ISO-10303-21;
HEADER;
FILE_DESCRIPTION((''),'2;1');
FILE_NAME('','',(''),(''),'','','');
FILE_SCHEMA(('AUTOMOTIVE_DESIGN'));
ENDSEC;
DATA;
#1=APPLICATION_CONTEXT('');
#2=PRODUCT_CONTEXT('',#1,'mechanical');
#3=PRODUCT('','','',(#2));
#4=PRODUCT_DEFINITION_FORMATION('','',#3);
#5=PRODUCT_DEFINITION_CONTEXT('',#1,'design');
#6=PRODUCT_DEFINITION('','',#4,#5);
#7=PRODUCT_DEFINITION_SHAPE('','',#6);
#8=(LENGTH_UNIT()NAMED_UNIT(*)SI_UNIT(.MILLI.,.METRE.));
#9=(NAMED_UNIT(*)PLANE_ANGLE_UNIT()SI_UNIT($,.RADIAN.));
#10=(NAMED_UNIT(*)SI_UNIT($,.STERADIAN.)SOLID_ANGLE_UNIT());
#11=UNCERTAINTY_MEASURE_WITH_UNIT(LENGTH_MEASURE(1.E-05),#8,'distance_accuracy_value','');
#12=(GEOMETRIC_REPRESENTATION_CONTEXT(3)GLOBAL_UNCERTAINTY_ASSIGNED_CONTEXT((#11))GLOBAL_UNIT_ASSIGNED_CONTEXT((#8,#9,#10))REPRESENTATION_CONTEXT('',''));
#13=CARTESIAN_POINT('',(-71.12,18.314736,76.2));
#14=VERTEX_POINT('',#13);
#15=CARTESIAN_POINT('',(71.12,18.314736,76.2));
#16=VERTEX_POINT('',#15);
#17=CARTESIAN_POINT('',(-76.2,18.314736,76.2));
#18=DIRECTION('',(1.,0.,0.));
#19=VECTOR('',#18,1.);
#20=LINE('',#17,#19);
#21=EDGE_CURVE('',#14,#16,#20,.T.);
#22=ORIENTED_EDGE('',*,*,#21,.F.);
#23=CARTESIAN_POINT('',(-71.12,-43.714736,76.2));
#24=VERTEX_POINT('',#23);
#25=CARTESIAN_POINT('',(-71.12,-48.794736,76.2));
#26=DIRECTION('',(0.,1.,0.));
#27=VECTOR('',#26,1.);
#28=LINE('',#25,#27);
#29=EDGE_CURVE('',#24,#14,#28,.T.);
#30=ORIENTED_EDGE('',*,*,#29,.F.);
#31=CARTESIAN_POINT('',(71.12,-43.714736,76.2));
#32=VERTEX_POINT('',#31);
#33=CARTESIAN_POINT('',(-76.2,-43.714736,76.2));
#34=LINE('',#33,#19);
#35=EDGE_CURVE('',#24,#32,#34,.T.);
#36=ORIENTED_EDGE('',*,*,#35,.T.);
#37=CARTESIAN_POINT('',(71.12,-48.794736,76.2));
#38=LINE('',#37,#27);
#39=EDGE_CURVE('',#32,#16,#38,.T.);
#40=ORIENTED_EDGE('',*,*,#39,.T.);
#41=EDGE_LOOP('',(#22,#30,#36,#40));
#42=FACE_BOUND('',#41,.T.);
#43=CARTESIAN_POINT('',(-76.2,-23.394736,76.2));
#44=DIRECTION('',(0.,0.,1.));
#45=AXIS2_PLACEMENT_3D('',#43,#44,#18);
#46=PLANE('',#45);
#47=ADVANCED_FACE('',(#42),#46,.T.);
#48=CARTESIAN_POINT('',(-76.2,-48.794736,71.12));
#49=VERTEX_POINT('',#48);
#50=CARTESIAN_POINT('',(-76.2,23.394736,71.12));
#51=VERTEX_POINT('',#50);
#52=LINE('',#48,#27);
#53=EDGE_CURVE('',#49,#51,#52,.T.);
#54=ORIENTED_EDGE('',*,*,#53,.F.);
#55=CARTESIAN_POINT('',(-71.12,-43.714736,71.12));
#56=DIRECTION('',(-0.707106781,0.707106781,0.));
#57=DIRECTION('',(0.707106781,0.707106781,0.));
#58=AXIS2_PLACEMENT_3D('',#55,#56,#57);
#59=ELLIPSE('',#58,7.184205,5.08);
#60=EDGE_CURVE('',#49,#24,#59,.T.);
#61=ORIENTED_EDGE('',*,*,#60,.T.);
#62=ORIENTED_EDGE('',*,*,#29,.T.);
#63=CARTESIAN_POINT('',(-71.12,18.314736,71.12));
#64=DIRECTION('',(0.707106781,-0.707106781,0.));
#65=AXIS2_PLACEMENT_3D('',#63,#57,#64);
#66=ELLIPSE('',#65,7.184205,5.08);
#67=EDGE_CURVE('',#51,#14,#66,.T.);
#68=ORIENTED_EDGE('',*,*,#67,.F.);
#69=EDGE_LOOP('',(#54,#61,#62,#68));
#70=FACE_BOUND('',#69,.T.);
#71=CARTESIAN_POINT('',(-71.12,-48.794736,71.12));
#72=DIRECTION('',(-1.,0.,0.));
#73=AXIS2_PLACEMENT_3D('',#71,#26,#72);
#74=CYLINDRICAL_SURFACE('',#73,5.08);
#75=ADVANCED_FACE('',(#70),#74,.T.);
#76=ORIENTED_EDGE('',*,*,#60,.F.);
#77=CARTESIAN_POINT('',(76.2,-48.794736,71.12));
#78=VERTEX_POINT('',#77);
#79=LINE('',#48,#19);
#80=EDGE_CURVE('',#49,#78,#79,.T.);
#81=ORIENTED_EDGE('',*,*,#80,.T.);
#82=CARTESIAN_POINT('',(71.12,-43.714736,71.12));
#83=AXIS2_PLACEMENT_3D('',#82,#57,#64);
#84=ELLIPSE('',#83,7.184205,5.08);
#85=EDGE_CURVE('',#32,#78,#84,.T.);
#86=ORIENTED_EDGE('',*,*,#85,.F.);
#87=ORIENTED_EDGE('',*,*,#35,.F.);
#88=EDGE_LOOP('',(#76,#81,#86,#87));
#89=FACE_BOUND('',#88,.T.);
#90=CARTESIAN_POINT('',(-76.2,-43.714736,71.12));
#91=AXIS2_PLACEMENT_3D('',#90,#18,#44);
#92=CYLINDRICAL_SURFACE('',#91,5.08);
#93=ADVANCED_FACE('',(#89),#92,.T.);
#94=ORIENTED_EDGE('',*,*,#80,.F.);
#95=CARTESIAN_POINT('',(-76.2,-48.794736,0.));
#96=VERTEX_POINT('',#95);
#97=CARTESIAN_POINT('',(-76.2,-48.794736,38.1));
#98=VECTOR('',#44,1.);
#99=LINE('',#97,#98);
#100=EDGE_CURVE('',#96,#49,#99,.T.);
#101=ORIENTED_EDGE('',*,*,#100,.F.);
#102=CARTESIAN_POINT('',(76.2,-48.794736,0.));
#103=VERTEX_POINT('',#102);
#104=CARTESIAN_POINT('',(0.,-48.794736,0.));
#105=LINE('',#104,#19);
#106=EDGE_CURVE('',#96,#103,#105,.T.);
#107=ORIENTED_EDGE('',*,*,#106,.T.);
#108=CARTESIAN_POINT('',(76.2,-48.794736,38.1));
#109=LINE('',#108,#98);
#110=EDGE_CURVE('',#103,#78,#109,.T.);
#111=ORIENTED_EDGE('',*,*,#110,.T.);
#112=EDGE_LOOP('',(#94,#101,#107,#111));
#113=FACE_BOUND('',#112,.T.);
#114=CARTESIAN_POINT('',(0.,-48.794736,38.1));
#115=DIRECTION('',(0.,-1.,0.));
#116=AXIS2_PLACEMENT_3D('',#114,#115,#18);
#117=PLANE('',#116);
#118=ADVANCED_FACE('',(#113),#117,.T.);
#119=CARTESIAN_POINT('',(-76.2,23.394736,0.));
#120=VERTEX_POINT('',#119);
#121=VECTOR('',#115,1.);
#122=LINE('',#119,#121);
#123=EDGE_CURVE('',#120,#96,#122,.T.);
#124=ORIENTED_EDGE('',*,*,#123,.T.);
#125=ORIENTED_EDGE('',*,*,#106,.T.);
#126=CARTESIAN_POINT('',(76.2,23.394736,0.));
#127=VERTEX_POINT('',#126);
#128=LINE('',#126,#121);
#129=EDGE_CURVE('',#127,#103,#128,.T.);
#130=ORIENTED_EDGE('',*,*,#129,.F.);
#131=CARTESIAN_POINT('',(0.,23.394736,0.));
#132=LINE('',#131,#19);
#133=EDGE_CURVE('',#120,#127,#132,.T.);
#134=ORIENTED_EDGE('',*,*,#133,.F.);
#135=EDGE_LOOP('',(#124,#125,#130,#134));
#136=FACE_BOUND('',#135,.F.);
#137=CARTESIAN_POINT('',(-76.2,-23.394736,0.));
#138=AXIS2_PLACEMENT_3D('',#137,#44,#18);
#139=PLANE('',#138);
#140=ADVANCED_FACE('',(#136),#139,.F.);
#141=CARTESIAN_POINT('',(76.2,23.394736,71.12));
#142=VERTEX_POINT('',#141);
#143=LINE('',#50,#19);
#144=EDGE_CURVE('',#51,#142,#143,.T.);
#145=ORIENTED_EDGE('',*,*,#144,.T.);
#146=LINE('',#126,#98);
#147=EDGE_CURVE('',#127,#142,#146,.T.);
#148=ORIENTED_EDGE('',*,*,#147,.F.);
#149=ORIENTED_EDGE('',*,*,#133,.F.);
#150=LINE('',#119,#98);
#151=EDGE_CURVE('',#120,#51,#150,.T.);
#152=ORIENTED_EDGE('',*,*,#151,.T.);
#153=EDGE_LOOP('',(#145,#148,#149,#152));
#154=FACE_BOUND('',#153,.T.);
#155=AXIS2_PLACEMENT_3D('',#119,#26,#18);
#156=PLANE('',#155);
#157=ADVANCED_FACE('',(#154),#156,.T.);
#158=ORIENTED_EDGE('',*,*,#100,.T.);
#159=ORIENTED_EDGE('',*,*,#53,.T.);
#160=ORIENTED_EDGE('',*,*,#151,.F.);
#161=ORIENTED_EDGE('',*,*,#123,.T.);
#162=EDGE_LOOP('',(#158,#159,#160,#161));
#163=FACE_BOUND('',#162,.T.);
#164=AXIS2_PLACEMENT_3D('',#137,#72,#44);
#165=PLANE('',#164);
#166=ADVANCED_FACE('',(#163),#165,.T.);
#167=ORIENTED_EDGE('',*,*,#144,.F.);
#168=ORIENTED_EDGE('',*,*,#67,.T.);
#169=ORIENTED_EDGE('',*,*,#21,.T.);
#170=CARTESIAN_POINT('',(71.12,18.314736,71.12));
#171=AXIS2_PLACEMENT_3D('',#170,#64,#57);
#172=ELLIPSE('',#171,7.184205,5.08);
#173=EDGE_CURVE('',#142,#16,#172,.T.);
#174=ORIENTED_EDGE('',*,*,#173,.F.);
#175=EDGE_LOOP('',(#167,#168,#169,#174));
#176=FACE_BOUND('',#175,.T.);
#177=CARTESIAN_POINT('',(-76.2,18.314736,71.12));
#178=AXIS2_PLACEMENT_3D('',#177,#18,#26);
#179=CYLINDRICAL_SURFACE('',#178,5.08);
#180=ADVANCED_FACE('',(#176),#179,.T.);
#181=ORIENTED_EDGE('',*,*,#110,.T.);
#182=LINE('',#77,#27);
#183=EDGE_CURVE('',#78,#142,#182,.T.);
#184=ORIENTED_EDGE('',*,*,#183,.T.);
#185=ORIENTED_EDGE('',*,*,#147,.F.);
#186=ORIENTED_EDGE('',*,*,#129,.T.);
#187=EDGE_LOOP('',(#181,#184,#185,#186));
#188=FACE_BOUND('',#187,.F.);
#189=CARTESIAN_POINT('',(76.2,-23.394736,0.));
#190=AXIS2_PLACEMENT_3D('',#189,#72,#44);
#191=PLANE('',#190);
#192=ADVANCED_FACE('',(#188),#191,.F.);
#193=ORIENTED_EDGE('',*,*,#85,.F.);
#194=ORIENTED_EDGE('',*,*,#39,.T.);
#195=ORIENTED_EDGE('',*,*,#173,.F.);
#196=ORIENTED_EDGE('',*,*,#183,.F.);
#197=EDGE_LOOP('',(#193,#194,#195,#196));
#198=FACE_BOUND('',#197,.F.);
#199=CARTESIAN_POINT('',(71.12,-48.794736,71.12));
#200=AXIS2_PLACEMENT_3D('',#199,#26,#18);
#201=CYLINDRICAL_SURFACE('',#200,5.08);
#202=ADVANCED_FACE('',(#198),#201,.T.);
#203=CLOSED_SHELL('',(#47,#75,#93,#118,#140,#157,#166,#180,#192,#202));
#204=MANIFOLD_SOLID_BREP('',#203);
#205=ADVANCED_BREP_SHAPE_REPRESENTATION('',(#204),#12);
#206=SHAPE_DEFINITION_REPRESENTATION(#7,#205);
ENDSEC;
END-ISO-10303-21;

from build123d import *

# Parameters (mm, degrees)
F0_W     = 152.4
F0_H     = 46.7894710547
F1_DEPTH = 76.2
F2_W     = 152.4
F2_H     = 76.2
F3_DEPTH = 25.4
F4_R     = 5.08


with BuildPart() as f1:
    # F0 (on Top) → F1 (new body)
    with BuildSketch(Plane.XY):
        Rectangle(F0_W, F0_H)
    extrude(amount=F1_DEPTH)

    # F2 (on face) → F3 (join)
    with BuildSketch(Plane.XZ.offset(23.3947355273)):
        with Locations((0, 38.1)):
            Rectangle(F2_W, F2_H)
    extrude(amount=F3_DEPTH)

    # F4
    f4_edges = [f1.edges().sort_by_distance(p)[0] for p in [
        (0, 23.394736, 76.2),
        (-76.2, -12.7, 76.2),
        (0, -48.794736, 76.2),
        (76.2, -12.7, 76.2),
    ]]
    fillet(f4_edges, radius=F4_R)


solid = f1.part
